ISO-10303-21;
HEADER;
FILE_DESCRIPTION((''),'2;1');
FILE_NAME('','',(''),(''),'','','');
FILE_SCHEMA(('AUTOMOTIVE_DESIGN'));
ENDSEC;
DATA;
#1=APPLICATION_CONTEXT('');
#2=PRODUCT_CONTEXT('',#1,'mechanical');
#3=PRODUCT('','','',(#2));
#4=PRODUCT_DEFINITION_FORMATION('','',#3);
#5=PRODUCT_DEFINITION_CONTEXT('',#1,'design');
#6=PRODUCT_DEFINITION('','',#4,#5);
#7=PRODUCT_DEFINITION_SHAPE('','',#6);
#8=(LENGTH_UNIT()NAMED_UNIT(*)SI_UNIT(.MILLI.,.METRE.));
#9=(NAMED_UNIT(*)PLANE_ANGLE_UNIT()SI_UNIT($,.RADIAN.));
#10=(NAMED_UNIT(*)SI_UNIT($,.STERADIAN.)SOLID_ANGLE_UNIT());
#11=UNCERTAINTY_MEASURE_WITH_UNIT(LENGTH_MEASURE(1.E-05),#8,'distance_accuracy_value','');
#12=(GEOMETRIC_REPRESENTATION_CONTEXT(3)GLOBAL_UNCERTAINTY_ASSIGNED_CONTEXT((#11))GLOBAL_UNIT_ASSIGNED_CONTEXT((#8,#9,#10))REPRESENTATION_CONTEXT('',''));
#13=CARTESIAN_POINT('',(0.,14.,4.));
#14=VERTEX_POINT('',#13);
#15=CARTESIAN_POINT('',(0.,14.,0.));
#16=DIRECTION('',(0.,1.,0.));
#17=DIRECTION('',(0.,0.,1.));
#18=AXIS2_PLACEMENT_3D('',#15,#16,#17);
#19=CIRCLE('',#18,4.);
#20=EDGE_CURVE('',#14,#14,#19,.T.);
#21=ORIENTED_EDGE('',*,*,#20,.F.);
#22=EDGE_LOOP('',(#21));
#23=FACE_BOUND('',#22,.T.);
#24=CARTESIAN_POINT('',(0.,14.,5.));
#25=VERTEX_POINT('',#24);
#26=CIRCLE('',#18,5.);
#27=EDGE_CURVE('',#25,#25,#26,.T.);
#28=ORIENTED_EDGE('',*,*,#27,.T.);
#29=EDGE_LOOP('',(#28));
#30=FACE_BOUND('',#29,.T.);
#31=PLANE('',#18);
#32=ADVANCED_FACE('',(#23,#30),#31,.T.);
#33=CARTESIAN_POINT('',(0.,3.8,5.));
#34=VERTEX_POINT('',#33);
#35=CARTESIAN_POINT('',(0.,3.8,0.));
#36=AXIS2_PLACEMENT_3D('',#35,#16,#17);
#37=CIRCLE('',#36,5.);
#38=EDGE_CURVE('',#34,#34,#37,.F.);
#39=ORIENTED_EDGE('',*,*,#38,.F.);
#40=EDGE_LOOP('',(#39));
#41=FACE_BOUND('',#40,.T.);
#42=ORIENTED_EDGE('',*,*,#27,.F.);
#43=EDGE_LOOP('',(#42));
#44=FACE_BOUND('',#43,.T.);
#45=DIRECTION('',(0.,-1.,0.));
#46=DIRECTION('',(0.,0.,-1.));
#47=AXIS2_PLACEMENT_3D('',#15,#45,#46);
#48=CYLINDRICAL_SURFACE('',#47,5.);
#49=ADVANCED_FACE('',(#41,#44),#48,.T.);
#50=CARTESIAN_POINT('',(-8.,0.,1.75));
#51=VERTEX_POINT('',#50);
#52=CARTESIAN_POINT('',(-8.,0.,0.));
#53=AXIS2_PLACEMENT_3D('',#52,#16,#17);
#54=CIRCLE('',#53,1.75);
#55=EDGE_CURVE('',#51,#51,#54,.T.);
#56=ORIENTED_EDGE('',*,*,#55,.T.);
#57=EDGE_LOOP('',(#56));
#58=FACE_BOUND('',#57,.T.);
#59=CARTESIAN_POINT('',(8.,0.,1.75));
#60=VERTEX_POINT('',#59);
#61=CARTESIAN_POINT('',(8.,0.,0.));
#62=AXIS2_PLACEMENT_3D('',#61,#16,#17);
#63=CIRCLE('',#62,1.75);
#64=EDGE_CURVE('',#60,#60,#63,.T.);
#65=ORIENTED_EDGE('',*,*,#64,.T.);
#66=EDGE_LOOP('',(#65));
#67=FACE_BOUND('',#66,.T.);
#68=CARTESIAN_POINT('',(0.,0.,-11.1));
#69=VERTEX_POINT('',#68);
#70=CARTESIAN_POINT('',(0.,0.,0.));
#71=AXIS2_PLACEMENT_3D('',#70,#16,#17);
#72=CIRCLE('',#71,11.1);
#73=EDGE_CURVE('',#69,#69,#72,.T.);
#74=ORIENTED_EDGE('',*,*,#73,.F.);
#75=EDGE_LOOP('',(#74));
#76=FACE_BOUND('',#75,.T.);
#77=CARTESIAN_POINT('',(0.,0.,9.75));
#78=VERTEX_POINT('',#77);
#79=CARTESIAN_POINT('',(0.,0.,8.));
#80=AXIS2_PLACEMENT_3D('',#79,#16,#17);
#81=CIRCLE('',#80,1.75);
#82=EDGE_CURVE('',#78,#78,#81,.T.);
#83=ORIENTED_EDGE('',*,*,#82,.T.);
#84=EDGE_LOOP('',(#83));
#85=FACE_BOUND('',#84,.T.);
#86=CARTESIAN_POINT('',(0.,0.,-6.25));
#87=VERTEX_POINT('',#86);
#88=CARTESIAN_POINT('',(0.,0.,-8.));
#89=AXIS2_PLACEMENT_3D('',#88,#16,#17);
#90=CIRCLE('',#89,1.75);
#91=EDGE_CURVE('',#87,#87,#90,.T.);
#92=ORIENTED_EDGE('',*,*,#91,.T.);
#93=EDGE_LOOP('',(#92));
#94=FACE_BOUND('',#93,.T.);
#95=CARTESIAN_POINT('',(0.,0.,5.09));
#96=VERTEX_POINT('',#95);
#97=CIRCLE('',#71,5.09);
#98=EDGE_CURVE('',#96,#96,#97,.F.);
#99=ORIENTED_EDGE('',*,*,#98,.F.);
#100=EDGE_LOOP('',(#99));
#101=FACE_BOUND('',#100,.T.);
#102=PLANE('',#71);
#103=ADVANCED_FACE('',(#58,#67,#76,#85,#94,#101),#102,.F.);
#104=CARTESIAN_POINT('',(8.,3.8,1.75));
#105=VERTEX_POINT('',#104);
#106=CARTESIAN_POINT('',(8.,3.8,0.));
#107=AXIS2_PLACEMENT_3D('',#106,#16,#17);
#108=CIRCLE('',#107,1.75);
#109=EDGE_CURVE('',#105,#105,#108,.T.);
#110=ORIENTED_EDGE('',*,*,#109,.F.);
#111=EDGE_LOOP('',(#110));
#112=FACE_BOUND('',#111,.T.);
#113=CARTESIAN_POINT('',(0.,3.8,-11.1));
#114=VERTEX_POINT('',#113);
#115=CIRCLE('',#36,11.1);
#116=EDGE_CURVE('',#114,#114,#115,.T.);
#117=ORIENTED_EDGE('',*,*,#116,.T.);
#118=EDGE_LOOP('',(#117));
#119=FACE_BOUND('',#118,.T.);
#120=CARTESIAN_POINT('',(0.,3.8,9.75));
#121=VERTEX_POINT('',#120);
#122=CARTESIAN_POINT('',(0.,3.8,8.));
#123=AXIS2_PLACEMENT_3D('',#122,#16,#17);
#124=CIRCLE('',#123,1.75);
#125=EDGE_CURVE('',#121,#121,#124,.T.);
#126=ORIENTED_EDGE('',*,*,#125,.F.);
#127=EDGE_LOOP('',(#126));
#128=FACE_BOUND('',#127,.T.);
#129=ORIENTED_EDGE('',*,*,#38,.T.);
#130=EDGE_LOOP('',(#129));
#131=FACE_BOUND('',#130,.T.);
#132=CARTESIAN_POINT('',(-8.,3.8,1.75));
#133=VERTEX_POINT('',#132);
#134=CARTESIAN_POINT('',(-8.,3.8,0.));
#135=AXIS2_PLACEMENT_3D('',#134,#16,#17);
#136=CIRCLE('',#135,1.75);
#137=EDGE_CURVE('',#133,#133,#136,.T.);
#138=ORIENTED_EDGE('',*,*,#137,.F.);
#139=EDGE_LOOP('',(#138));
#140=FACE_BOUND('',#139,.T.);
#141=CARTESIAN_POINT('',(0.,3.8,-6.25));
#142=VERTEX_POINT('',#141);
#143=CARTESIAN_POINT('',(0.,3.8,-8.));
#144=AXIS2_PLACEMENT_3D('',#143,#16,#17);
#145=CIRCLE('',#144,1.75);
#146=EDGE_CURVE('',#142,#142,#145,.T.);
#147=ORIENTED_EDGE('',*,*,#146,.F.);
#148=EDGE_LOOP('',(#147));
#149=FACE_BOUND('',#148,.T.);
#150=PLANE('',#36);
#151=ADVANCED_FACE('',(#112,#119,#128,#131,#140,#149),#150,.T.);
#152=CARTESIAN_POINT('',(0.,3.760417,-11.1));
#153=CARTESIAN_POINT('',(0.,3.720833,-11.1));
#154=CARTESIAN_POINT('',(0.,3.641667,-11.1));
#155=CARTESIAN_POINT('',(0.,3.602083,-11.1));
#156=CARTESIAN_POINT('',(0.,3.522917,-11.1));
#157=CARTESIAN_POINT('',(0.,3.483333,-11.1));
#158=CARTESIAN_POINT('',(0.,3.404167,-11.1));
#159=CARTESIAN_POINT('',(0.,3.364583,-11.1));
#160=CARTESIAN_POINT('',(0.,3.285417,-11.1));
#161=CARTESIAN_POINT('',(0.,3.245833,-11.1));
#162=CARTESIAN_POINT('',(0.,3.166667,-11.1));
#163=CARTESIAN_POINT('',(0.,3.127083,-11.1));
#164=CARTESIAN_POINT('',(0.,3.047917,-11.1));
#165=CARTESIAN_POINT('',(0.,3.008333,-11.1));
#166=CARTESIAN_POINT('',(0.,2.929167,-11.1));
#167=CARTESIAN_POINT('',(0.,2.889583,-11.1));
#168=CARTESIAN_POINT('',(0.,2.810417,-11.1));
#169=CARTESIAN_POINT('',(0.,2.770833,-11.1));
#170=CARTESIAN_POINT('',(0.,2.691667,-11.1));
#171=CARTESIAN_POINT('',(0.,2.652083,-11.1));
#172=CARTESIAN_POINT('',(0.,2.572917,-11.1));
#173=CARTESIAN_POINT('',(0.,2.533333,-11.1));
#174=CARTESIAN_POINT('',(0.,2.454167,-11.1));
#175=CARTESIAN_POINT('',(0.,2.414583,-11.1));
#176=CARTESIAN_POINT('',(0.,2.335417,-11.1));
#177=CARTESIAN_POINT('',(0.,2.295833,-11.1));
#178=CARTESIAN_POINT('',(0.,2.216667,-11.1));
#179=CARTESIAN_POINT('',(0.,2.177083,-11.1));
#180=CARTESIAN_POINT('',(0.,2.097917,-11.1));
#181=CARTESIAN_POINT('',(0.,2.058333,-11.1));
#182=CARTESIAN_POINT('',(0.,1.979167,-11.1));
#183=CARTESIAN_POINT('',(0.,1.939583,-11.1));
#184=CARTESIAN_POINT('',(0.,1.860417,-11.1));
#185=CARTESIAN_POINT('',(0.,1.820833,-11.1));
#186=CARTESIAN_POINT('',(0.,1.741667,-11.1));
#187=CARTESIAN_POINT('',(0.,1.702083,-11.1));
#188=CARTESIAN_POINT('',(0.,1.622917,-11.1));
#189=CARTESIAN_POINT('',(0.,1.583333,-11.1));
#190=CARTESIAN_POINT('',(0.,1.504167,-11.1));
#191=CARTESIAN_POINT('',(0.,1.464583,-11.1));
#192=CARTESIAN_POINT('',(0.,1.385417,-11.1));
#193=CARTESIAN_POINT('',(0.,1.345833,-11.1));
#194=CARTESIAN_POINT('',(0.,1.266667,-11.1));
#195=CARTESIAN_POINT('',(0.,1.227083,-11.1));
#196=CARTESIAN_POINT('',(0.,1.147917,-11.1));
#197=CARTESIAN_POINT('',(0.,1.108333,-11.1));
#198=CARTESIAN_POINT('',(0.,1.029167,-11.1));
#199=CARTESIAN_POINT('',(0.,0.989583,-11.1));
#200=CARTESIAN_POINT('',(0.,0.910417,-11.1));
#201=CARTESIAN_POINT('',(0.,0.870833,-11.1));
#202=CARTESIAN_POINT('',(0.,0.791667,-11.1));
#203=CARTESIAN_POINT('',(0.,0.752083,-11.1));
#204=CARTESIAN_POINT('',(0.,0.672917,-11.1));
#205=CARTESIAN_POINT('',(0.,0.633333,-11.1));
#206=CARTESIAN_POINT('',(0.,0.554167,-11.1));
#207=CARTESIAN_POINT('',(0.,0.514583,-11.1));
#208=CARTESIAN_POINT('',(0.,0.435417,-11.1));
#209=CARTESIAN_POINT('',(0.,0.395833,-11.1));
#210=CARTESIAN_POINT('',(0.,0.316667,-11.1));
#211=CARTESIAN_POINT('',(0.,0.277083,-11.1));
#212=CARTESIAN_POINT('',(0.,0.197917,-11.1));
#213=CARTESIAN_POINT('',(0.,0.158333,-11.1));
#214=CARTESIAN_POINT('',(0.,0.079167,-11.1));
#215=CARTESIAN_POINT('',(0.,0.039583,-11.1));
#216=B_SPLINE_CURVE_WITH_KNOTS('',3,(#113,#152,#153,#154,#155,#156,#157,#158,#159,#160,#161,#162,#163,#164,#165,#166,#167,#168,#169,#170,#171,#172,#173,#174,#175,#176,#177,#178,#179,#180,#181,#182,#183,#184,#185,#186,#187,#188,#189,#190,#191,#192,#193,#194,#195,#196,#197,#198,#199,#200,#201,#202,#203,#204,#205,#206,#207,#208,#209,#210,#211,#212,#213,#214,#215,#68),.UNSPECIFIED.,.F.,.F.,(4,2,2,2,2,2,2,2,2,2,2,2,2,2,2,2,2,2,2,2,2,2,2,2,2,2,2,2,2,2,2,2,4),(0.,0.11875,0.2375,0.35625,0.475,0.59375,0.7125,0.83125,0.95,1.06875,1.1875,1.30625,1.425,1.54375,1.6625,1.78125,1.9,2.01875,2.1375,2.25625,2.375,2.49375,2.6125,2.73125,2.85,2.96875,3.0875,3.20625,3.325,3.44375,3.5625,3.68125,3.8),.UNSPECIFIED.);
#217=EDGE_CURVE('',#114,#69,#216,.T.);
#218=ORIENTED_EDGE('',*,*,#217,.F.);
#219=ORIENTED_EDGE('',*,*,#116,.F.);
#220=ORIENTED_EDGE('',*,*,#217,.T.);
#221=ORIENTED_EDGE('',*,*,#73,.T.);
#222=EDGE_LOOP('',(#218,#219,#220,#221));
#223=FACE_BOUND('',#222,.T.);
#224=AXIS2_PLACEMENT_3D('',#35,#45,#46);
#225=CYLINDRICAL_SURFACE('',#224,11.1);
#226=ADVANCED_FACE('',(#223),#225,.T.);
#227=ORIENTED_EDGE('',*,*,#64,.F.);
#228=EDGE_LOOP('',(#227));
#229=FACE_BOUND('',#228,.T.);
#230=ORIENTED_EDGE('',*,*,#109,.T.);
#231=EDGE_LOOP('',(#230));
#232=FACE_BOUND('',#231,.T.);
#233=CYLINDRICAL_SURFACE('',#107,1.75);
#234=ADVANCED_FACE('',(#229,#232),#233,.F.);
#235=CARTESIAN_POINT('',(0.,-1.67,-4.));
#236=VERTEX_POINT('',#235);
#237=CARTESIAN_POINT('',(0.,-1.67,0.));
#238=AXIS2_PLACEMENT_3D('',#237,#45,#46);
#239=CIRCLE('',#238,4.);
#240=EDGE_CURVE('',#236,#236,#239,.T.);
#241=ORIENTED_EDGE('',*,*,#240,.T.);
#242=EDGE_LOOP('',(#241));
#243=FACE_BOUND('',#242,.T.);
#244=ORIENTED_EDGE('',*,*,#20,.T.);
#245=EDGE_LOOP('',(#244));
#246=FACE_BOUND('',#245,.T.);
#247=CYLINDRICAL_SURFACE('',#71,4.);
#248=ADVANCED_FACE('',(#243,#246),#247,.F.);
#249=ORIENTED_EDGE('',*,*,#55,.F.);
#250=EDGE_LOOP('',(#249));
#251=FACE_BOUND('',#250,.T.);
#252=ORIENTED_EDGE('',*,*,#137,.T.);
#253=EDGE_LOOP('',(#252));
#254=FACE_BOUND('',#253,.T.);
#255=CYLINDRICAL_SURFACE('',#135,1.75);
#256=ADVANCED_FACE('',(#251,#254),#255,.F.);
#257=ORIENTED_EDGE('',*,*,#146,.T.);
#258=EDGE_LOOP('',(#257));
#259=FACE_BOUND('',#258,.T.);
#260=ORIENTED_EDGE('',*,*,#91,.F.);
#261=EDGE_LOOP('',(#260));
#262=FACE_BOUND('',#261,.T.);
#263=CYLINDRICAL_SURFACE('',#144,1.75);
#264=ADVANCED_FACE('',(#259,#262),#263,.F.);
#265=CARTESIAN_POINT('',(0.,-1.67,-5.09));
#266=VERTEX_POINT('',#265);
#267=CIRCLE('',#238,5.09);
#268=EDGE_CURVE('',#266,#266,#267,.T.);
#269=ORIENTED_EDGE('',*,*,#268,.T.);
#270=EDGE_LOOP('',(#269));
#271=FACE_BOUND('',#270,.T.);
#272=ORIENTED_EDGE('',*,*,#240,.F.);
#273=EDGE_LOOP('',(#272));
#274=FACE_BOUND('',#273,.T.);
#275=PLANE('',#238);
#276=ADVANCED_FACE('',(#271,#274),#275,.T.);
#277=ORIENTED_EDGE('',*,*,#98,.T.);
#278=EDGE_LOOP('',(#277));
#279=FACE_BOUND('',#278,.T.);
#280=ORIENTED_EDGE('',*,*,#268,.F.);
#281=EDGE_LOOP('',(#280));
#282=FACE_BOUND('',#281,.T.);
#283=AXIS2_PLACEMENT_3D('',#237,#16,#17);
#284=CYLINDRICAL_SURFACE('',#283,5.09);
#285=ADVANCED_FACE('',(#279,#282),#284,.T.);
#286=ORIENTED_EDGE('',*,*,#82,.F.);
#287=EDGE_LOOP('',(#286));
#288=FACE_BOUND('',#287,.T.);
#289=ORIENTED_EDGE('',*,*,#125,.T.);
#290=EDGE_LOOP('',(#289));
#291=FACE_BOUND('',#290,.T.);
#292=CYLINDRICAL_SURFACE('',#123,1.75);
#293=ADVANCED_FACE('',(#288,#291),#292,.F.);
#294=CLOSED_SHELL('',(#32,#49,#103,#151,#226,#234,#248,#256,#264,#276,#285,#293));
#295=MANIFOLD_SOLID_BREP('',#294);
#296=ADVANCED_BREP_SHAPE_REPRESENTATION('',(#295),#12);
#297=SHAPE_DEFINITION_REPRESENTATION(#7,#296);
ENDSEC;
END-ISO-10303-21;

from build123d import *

# Parameters (mm, degrees)
SKETCH1_R                  = 11.1
BOSS_EXTRUDE1_DEPTH        = 3.8
BOSS_EXTRUDE2_START        = -3.8
SKETCH2_R                  = 5
BOSS_EXTRUDE2_DEPTH        = 14
SKETCH3_R                  = 4
CUT_EXTRUDE1_DEPTH         = 22.033782351
SKETCH4_R                  = 5.09
SKETCH4_R_2                = 4
BOSS_EXTRUDE3_DEPTH        = 1.67
F_3_5_3_5_DIAMETER_HOLE1_D = 3.5


with BuildPart() as part:
    # Sketch1 → Boss-Extrude1 (new body)
    with BuildSketch(Plane(origin=(0, 0, 0), x_dir=(1, 0, 0), z_dir=(0, 1, 0))):
        with Locations(Location((0, 0, 0), (0, 0, 90))):
            Circle(SKETCH1_R)
    extrude(amount=BOSS_EXTRUDE1_DEPTH)

    # Sketch2 → Boss-Extrude2 (add)
    with BuildSketch(Plane(origin=(0, 3.8, 0), x_dir=(1, 0, 0), z_dir=(0, 1, 0)).offset(BOSS_EXTRUDE2_START)):
        with Locations(Location((0, 0, 0), (0, 0, 270))):
            Circle(SKETCH2_R)
    extrude(amount=BOSS_EXTRUDE2_DEPTH)

    # Sketch3 → Cut-Extrude1 (cut, through all)
    with BuildSketch(Plane(origin=(0, 14, 0), x_dir=(1, 0, 0), z_dir=(0, 1, 0))):
        with Locations(Location((0, 0, 0), (0, 0, 270))):
            Circle(SKETCH3_R)
    extrude(amount=-CUT_EXTRUDE1_DEPTH, mode=Mode.SUBTRACT)

    # Sketch4 → Boss-Extrude3 (add)
    with BuildSketch(Plane.XZ):
        with Locations(Location((0, 0, 0), (0, 0, 90))):
            Circle(SKETCH4_R)
        with Locations(Location((0, 0, 0), (0, 0, 90))):
            Circle(SKETCH4_R_2, mode=Mode.SUBTRACT)
    extrude(amount=BOSS_EXTRUDE3_DEPTH)

    # Ø3.5 (3.5) Diameter Hole1 (through all)
    with Locations(Plane(origin=(0, 3.8, 0), x_dir=(1, 0, 0), z_dir=(0, 1, 0))):
        with Locations((0, 8), (0, -8), (8, 0), (-8, 0)):
            Hole(F_3_5_3_5_DIAMETER_HOLE1_D / 2)


solid = part.part
